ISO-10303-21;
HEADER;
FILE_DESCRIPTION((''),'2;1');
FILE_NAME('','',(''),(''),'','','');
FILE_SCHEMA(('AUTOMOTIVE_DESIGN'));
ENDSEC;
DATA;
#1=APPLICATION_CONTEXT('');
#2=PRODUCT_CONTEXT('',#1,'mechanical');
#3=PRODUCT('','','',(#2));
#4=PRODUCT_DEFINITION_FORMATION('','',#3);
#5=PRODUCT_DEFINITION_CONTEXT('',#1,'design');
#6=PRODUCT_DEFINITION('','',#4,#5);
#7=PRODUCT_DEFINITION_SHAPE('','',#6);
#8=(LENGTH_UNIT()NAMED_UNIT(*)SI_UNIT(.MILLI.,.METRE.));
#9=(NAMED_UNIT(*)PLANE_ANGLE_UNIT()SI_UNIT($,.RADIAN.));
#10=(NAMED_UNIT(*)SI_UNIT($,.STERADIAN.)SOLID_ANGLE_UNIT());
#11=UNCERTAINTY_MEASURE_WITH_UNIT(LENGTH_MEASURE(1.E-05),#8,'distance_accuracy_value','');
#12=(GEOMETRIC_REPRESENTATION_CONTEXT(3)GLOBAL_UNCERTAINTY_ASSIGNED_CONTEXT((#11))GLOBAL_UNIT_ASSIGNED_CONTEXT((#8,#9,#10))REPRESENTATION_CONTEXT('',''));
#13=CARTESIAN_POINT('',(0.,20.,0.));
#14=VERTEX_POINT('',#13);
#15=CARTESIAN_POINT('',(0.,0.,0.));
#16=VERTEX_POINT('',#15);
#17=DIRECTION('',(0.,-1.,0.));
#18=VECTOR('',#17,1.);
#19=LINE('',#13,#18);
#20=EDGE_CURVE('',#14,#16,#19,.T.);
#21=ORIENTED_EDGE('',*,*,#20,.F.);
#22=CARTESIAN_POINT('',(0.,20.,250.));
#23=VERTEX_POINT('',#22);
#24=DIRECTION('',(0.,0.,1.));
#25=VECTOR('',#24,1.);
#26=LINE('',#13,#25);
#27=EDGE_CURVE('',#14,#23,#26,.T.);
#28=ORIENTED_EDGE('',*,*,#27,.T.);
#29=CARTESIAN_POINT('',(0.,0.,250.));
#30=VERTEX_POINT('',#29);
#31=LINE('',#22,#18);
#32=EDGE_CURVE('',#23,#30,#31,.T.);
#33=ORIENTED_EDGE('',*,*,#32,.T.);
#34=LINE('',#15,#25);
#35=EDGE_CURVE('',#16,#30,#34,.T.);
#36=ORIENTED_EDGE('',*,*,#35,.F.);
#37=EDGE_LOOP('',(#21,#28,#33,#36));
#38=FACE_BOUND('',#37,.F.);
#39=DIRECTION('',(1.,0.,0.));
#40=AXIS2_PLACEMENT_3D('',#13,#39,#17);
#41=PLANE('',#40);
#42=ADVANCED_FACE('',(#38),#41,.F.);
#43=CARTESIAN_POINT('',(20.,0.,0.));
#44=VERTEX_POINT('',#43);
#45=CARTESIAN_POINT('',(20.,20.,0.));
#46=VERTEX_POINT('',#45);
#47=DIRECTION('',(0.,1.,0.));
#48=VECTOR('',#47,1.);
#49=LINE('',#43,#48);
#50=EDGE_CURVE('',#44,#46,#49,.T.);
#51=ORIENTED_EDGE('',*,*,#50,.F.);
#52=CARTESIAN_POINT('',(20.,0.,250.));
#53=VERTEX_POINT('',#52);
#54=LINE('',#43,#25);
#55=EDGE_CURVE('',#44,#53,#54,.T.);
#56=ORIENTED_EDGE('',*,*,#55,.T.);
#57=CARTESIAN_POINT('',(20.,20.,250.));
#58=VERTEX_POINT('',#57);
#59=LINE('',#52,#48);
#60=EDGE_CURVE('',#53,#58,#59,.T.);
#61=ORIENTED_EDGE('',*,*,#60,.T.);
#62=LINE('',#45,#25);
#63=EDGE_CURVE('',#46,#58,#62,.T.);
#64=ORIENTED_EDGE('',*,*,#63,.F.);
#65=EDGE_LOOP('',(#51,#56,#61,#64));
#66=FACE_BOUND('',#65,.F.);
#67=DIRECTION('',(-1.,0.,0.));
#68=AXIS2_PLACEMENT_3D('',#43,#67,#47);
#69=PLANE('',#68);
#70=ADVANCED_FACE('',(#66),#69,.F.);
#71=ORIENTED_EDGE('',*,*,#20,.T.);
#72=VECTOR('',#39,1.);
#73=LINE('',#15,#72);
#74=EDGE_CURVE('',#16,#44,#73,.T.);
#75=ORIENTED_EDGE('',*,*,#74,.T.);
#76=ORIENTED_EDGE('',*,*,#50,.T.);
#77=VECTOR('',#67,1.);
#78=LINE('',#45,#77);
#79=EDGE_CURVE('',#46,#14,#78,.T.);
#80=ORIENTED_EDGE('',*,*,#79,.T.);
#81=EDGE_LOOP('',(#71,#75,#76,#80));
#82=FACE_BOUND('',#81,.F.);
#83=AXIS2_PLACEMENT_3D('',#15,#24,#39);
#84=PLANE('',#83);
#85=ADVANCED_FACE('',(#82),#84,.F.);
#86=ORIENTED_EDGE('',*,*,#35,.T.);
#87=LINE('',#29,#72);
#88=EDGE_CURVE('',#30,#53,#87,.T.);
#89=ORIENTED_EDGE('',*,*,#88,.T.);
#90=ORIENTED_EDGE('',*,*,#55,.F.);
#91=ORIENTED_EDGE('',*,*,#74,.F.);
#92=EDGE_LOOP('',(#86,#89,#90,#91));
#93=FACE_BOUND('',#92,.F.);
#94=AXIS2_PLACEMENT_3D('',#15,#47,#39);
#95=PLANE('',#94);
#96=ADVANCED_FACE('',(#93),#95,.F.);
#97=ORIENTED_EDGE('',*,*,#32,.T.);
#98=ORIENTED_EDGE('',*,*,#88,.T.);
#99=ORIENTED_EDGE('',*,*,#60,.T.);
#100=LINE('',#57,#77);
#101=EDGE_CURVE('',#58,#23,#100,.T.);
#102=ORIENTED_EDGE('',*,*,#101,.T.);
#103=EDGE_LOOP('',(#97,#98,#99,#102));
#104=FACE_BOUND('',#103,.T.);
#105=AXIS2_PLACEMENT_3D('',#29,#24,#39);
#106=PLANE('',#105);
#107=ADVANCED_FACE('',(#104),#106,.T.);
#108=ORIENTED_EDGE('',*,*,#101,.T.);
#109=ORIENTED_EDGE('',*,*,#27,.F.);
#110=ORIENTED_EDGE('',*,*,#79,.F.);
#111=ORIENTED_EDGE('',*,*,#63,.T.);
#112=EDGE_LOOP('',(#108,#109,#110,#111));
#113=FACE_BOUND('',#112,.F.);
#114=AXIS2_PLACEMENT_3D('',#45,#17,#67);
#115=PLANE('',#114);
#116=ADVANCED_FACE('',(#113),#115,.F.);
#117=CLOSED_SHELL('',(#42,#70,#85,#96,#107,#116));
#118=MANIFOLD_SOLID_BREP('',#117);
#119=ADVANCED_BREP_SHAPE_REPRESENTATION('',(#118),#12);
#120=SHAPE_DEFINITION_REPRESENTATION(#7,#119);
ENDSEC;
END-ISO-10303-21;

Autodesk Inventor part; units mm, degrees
ref_plane "YZ Plane" through (0, 0, 0) normal (1, 0, 0) x (0, 1, 0)
ref_plane "XZ Plane" through (0, 0, 0) normal (0, 1, 0) x (-1, 0, 0)
ref_plane "XY Plane" through (0, 0, 0) normal (0, 0, 1) x (1, 0, 0)
sketch "Sketch1" plane through (0, 0, 0) normal (0, 0, 1) x (1, 0, 0)
  line L0 (0, 0) -> (20, 0)
  line L1 (20, 0) -> (20, 20)
  line L2 (20, 20) -> (0, 20)
  line L3 (0, 20) -> (0, 0)
  dimension "d0" = 20
  dimension "d1" = 20
extrude "Extrusion1" add sketch "Sketch1" along normal blind 250
properties part number "Y2020"
